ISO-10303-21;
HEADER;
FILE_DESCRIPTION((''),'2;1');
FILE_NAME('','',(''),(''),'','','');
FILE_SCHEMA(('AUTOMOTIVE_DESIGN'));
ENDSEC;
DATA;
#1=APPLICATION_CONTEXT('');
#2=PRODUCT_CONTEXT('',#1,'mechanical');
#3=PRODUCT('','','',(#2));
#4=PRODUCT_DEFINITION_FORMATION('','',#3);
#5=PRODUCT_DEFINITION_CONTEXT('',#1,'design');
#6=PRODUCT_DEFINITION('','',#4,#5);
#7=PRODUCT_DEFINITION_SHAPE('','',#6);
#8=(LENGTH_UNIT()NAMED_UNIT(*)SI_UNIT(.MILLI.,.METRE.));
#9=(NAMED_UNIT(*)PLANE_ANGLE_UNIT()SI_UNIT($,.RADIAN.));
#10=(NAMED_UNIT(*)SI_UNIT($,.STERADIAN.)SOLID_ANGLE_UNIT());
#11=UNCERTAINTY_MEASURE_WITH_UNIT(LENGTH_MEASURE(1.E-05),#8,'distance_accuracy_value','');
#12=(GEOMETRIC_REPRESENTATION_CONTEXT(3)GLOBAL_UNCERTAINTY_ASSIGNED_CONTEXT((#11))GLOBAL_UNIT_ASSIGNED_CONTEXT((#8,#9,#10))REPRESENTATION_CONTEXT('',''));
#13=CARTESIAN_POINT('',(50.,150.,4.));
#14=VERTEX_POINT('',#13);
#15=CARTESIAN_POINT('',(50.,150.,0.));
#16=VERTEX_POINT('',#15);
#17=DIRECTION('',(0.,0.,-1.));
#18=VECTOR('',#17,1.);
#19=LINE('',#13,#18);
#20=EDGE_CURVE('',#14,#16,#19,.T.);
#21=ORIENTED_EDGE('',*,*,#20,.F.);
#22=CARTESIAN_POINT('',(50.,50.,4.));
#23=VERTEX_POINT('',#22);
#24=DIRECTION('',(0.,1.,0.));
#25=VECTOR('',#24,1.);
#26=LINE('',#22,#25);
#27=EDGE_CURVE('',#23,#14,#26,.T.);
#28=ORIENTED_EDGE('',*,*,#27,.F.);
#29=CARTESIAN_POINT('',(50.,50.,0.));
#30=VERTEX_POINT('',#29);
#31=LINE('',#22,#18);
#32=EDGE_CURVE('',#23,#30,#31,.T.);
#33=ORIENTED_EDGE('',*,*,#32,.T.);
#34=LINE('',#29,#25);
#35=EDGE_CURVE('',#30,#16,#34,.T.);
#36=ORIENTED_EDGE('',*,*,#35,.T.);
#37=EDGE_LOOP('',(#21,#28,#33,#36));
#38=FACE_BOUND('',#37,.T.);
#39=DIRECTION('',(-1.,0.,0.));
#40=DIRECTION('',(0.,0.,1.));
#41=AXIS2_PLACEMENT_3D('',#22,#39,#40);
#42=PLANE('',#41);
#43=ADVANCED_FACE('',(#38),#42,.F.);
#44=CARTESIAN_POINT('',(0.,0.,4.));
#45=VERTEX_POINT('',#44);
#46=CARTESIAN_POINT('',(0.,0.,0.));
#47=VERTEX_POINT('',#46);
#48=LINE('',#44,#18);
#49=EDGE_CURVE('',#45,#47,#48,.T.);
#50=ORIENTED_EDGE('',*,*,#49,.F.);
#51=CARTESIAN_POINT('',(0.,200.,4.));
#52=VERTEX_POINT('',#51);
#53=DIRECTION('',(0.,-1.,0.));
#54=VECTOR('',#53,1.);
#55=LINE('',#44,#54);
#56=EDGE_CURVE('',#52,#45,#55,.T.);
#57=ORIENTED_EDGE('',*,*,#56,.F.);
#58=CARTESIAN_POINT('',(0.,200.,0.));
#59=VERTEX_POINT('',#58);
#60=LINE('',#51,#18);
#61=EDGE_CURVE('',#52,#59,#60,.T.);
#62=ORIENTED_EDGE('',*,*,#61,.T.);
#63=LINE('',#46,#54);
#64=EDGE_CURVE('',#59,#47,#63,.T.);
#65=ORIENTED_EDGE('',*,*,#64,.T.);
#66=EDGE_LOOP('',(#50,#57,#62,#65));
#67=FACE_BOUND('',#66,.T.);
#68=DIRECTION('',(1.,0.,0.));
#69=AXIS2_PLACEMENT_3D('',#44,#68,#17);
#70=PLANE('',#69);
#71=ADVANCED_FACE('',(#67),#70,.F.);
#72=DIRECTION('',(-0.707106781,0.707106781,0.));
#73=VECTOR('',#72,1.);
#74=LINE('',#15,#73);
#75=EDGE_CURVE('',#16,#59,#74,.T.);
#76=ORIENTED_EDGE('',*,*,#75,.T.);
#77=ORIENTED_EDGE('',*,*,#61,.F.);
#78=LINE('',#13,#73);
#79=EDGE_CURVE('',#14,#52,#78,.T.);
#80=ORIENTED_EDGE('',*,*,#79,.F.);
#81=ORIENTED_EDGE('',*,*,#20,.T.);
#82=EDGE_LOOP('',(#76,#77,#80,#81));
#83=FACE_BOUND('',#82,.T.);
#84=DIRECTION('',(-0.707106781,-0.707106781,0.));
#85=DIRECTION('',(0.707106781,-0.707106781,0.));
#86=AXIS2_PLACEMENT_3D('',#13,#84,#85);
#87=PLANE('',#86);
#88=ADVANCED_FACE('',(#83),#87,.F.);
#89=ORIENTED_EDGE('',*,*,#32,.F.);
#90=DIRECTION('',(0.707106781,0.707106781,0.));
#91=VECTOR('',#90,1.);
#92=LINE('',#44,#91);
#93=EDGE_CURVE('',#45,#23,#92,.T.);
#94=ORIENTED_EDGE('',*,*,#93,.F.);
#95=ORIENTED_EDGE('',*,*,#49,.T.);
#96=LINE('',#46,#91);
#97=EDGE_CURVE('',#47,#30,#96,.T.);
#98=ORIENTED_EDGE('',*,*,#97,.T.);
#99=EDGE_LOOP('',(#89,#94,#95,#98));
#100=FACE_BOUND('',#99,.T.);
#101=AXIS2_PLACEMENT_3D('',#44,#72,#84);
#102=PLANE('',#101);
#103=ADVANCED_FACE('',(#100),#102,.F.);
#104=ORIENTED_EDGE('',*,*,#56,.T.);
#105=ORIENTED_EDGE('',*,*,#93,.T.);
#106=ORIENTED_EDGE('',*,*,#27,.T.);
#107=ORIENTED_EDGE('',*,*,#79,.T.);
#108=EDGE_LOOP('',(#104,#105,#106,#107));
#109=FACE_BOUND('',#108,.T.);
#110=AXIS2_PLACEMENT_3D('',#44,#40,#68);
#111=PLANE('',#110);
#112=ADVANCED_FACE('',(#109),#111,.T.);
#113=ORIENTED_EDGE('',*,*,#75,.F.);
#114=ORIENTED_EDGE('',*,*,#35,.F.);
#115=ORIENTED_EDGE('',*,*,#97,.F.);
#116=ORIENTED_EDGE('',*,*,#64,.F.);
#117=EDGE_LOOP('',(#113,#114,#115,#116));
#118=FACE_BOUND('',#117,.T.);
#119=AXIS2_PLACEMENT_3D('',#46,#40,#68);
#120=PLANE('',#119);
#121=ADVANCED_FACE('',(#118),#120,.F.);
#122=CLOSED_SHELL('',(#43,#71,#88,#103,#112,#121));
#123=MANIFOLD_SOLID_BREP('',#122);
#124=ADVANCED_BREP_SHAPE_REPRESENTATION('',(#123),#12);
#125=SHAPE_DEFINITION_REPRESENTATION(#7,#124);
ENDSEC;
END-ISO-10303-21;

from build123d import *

# Parameters (mm, degrees)
EXTRUDE_1_DEPTH = 4


with BuildPart() as part:
    # Эскиз1 → Бобышка-Вытянуть1 (new body)
    with BuildSketch(Plane.XY):
        Polygon((0, 0), (0, 200), (50, 150), (50, 50), align=None)
    extrude(amount=EXTRUDE_1_DEPTH)


solid = part.part
